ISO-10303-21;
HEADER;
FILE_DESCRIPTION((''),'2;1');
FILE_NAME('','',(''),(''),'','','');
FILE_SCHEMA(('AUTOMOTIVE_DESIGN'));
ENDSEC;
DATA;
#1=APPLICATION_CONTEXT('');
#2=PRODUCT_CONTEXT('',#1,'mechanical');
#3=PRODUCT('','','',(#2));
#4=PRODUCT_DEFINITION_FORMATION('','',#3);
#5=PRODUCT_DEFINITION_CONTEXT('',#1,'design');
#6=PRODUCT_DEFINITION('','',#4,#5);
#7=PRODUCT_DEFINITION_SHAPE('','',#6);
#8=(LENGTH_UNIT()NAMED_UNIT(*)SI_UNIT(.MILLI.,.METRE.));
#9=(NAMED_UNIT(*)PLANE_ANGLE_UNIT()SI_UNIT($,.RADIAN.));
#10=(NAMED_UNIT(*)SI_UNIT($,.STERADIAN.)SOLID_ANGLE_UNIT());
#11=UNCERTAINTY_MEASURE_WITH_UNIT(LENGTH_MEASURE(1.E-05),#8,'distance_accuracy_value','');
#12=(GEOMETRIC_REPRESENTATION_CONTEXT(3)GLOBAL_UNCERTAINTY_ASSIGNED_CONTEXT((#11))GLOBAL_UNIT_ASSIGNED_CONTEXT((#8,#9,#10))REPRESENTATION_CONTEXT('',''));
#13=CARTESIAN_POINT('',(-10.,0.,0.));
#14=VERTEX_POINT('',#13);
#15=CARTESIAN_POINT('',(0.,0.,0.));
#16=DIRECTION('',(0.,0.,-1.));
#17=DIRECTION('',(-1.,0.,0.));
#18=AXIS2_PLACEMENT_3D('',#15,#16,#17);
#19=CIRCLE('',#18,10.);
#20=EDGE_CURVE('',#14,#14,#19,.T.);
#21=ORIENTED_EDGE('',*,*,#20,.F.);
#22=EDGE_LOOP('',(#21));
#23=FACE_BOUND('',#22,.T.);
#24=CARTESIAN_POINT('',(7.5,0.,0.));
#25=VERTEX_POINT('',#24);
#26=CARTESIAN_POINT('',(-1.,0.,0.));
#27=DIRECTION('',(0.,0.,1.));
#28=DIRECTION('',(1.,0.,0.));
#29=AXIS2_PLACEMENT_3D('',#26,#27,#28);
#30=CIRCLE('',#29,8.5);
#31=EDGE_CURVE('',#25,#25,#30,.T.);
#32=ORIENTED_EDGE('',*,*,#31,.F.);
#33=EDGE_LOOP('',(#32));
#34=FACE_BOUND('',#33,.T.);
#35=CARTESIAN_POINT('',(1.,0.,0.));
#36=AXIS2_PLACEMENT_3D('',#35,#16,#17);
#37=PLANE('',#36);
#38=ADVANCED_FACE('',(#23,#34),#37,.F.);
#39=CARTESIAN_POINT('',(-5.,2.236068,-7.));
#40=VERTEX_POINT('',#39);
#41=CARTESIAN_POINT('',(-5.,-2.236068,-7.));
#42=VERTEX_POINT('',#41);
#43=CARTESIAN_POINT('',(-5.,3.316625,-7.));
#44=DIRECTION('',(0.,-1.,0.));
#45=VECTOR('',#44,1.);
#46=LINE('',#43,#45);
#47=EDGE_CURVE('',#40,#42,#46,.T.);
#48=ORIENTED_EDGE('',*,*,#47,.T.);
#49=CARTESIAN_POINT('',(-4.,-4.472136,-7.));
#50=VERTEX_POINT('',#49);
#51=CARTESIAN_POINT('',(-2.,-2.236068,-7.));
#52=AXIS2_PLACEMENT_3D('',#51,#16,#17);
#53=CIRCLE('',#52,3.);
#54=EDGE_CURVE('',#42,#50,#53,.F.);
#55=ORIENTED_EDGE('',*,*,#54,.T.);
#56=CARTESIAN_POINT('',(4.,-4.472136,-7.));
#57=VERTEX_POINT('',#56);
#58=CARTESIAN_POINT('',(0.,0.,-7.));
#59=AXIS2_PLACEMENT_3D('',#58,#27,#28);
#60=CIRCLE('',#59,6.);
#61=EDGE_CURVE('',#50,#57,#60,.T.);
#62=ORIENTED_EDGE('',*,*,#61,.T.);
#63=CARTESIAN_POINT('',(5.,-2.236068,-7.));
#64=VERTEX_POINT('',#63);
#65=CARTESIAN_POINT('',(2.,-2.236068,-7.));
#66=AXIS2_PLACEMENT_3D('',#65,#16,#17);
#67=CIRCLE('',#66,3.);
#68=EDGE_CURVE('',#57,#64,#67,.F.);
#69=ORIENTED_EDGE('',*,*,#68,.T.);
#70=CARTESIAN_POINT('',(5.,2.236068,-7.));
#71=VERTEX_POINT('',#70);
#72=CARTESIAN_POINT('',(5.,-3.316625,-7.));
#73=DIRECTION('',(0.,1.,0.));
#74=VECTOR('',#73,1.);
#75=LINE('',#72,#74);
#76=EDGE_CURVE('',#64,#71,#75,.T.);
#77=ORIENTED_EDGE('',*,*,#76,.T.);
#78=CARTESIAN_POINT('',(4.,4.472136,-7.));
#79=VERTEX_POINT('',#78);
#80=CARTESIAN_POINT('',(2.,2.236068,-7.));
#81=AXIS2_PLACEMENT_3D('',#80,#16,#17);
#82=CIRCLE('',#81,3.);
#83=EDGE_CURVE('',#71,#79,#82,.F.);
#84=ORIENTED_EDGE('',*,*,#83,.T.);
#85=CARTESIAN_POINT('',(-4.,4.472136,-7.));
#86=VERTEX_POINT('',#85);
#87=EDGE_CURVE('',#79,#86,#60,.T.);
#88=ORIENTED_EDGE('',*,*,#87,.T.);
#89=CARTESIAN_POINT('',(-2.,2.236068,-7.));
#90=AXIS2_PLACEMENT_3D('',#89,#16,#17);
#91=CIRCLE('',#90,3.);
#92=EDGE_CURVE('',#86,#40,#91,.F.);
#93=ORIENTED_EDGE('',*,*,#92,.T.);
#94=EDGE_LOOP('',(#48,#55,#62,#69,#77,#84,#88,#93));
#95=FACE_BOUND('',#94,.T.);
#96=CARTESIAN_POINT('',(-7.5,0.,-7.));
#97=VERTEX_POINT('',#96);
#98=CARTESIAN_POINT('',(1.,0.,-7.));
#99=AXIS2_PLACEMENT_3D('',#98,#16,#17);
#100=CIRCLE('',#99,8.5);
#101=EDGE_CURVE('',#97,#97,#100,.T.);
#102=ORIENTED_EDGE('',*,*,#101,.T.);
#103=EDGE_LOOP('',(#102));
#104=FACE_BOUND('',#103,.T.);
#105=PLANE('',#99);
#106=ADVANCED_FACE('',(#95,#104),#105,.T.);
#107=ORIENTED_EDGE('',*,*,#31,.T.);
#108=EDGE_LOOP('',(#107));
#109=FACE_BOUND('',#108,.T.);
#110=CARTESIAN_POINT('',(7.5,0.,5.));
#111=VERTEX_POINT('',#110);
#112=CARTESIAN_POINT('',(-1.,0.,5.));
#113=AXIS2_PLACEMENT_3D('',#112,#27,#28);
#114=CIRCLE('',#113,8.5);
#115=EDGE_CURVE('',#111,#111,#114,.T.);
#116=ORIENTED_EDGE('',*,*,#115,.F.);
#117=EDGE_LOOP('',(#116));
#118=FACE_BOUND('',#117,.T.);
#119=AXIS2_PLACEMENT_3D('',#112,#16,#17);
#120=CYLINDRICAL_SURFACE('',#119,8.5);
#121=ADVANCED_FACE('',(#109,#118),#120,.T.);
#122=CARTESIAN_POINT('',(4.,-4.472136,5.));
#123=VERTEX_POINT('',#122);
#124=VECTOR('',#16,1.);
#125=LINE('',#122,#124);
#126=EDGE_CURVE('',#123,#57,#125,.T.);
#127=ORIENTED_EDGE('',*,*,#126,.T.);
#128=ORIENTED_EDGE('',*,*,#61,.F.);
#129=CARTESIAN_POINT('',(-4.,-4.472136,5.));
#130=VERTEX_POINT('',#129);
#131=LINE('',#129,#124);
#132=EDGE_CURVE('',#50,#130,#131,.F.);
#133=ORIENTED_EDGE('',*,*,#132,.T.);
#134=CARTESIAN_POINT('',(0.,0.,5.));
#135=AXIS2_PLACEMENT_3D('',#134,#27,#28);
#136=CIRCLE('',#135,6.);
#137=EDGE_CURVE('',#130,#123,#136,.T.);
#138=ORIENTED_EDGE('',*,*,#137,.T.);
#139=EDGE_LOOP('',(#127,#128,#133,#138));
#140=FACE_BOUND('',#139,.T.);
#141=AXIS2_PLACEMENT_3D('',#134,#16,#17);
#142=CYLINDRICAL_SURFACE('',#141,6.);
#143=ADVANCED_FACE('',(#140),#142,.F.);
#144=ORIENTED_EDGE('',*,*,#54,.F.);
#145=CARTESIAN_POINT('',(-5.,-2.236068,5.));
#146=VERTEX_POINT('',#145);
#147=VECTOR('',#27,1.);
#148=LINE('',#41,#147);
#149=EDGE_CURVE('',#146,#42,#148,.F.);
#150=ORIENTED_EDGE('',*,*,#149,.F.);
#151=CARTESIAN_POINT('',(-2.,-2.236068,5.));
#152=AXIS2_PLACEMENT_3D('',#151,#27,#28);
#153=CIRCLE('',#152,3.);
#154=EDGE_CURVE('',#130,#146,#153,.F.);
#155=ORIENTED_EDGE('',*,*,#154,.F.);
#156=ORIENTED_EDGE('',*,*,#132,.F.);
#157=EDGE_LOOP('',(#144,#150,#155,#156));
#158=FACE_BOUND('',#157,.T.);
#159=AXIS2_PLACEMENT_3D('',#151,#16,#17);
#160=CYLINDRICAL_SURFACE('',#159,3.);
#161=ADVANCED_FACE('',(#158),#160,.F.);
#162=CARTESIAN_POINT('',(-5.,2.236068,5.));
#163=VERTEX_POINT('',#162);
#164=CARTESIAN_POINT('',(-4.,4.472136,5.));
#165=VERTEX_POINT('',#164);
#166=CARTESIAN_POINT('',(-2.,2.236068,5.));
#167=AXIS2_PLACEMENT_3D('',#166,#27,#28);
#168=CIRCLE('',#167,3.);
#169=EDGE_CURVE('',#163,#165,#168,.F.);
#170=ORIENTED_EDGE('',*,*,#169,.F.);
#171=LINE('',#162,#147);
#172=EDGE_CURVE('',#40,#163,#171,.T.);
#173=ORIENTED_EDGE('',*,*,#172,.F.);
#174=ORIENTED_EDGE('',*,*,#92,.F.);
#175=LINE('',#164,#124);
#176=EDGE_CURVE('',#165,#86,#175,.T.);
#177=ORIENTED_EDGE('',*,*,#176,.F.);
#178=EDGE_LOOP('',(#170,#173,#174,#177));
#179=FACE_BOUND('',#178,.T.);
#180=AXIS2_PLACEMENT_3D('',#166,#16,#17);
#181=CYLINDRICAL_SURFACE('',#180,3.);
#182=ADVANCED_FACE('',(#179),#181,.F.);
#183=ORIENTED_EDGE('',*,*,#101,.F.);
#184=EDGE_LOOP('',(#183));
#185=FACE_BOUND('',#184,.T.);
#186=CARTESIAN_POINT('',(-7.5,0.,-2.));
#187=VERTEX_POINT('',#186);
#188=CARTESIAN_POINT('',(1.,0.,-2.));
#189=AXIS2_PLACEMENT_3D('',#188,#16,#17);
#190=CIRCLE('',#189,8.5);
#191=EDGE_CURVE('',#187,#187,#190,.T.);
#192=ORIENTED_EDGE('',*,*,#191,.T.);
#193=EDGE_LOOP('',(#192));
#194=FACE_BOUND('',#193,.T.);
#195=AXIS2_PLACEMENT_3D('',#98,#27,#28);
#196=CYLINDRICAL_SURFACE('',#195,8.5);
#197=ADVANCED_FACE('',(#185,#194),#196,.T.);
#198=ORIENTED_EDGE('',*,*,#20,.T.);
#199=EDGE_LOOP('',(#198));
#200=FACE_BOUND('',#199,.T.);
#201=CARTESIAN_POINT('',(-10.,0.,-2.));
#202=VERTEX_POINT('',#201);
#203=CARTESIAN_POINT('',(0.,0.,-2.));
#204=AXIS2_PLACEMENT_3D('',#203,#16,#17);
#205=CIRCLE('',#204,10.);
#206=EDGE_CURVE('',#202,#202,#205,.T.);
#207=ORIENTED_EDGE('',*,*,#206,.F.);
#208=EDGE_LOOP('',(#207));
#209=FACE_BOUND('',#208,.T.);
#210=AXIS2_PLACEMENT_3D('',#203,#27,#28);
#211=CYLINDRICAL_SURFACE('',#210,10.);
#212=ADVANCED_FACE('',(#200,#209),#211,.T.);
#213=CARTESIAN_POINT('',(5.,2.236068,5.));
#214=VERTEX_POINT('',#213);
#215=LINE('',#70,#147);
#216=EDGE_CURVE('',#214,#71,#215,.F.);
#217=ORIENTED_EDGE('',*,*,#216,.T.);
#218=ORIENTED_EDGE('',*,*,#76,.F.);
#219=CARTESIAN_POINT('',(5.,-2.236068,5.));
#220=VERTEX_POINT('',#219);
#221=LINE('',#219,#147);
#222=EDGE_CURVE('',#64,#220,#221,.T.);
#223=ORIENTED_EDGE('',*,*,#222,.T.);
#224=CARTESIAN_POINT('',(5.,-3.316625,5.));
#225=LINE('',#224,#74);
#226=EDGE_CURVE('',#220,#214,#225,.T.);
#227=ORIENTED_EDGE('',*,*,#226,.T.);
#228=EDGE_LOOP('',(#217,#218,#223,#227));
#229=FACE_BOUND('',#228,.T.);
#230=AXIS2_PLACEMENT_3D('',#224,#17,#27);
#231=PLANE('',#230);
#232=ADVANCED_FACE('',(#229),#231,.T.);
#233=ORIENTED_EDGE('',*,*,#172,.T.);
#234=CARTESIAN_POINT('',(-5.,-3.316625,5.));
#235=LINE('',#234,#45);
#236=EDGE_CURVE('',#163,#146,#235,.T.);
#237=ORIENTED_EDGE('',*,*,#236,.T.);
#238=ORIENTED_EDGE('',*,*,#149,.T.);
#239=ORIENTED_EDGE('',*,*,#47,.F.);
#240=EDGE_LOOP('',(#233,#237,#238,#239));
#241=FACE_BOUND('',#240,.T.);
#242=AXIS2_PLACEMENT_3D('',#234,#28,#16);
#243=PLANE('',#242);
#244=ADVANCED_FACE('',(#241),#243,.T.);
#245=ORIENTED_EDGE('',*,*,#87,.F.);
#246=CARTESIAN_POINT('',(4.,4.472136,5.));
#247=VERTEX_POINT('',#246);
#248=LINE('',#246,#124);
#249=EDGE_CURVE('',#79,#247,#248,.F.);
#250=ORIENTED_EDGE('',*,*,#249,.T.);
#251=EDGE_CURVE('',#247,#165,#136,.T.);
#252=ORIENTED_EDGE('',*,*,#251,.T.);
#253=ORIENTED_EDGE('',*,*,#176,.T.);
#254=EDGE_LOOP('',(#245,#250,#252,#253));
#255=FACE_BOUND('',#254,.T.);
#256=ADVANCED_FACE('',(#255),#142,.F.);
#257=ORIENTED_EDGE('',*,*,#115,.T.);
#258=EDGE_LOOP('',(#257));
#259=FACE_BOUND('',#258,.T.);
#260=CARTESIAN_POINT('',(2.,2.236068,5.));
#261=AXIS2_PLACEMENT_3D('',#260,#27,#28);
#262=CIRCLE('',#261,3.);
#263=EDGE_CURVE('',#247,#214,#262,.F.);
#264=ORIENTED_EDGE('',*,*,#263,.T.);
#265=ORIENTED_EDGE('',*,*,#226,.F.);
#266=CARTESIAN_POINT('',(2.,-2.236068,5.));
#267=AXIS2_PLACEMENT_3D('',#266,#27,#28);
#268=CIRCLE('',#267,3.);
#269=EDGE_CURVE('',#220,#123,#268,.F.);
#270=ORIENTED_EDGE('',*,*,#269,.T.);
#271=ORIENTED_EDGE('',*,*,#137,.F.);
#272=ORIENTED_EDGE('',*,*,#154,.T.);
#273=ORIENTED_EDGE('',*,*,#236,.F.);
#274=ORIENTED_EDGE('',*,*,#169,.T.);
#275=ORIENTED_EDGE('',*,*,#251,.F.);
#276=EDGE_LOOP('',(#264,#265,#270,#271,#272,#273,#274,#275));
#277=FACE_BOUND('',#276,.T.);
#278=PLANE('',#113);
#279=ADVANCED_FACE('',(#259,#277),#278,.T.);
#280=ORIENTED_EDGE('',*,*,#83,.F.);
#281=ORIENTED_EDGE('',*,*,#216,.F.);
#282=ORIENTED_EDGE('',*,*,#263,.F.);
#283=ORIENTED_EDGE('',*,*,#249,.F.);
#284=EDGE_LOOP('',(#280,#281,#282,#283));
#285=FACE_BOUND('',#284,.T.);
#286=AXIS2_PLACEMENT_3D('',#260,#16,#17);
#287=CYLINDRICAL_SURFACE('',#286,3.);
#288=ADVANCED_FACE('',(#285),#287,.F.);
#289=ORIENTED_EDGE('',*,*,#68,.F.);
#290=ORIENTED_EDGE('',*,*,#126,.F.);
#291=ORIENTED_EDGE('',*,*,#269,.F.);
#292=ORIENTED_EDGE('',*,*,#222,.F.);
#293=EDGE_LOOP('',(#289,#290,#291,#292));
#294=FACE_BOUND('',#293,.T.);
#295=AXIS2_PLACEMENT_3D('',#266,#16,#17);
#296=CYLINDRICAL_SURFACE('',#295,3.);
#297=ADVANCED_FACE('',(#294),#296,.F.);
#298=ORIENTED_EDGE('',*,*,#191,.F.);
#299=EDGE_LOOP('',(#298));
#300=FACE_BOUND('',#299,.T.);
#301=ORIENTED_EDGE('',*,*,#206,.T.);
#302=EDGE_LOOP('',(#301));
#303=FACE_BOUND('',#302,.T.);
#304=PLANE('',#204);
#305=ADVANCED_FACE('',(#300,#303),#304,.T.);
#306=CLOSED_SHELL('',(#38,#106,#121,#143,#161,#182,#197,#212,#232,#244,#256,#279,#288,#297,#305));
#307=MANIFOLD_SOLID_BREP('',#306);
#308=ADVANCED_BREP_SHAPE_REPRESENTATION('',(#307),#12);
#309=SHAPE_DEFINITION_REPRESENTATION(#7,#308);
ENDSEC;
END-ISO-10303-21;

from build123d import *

# Parameters (mm, degrees)
SKETCH1_R           = 8.5
BOSS_EXTRUDE1_DEPTH = 5
SKETCH2_R           = 8.5
BOSS_EXTRUDE2_DEPTH = 7
CUT_EXTRUDE1_DEPTH  = 15.543039572
BOSS_EXTRUDE3_START = 2
SKETCH4_R           = 10
BOSS_EXTRUDE3_DEPTH = 2
FILLET2_R           = 3


with BuildPart() as part:
    # Sketch1 → Boss-Extrude1 (new body)
    with BuildSketch(Plane.XY):
        with Locations((-1, 0)):
            Circle(SKETCH1_R)
        with BuildLine():
            Line((5, -3.31662479), (5, 3.31662479))
            ThreePointArc((5, 3.31662479), (0, 6), (-5, 3.31662479))
            Line((-5, 3.31662479), (-5, -3.31662479))
            ThreePointArc((-5, -3.31662479), (0, -6), (5, -3.31662479))
        make_face(mode=Mode.SUBTRACT)
    extrude(amount=BOSS_EXTRUDE1_DEPTH)

    # Sketch2 → Boss-Extrude2 (add)
    with BuildSketch(Plane(origin=(0, 0, 0), x_dir=(-1, 0, 0), z_dir=(0, 0, -1))):
        with Locations((-1, 0)):
            Circle(SKETCH2_R)
    extrude(amount=BOSS_EXTRUDE2_DEPTH)

    # Sketch3 → Cut-Extrude1 (cut, through all)
    with BuildSketch(Plane.XY):
        with BuildLine():
            Line((5, -3.31662479), (5, 3.31662479))
            ThreePointArc((5, 3.31662479), (0, 6), (-5, 3.31662479))
            Line((-5, 3.31662479), (-5, -3.31662479))
            ThreePointArc((-5, -3.31662479), (0, -6), (5, -3.31662479))
        make_face()
    extrude(amount=-CUT_EXTRUDE1_DEPTH, mode=Mode.SUBTRACT)

    # Sketch4 → Boss-Extrude3 (add)
    with BuildSketch(Plane(origin=(0, 0, 0), x_dir=(-1, 0, 0), z_dir=(0, 0, -1)).offset(BOSS_EXTRUDE3_START)):
        Circle(SKETCH4_R)
        with BuildLine():
            Line((5, 3.31662479), (5, -3.31662479))
            ThreePointArc((5, -3.31662479), (0, -6), (-5, -3.31662479))
            Line((-5, -3.31662479), (-5, 3.31662479))
            ThreePointArc((-5, 3.31662479), (0, 6), (5, 3.31662479))
        make_face(mode=Mode.SUBTRACT)
    extrude(amount=-BOSS_EXTRUDE3_DEPTH)

    # Fillet2
    fillet2_edges = [part.edges().sort_by_distance(p)[0] for p in [
        (5, 3.31662479, -1),
        (5, -3.31662479, -1),
        (-5, -3.31662479, -1),
        (-5, 3.31662479, -1),
    ]]
    fillet(fillet2_edges, radius=FILLET2_R)


solid = part.part
